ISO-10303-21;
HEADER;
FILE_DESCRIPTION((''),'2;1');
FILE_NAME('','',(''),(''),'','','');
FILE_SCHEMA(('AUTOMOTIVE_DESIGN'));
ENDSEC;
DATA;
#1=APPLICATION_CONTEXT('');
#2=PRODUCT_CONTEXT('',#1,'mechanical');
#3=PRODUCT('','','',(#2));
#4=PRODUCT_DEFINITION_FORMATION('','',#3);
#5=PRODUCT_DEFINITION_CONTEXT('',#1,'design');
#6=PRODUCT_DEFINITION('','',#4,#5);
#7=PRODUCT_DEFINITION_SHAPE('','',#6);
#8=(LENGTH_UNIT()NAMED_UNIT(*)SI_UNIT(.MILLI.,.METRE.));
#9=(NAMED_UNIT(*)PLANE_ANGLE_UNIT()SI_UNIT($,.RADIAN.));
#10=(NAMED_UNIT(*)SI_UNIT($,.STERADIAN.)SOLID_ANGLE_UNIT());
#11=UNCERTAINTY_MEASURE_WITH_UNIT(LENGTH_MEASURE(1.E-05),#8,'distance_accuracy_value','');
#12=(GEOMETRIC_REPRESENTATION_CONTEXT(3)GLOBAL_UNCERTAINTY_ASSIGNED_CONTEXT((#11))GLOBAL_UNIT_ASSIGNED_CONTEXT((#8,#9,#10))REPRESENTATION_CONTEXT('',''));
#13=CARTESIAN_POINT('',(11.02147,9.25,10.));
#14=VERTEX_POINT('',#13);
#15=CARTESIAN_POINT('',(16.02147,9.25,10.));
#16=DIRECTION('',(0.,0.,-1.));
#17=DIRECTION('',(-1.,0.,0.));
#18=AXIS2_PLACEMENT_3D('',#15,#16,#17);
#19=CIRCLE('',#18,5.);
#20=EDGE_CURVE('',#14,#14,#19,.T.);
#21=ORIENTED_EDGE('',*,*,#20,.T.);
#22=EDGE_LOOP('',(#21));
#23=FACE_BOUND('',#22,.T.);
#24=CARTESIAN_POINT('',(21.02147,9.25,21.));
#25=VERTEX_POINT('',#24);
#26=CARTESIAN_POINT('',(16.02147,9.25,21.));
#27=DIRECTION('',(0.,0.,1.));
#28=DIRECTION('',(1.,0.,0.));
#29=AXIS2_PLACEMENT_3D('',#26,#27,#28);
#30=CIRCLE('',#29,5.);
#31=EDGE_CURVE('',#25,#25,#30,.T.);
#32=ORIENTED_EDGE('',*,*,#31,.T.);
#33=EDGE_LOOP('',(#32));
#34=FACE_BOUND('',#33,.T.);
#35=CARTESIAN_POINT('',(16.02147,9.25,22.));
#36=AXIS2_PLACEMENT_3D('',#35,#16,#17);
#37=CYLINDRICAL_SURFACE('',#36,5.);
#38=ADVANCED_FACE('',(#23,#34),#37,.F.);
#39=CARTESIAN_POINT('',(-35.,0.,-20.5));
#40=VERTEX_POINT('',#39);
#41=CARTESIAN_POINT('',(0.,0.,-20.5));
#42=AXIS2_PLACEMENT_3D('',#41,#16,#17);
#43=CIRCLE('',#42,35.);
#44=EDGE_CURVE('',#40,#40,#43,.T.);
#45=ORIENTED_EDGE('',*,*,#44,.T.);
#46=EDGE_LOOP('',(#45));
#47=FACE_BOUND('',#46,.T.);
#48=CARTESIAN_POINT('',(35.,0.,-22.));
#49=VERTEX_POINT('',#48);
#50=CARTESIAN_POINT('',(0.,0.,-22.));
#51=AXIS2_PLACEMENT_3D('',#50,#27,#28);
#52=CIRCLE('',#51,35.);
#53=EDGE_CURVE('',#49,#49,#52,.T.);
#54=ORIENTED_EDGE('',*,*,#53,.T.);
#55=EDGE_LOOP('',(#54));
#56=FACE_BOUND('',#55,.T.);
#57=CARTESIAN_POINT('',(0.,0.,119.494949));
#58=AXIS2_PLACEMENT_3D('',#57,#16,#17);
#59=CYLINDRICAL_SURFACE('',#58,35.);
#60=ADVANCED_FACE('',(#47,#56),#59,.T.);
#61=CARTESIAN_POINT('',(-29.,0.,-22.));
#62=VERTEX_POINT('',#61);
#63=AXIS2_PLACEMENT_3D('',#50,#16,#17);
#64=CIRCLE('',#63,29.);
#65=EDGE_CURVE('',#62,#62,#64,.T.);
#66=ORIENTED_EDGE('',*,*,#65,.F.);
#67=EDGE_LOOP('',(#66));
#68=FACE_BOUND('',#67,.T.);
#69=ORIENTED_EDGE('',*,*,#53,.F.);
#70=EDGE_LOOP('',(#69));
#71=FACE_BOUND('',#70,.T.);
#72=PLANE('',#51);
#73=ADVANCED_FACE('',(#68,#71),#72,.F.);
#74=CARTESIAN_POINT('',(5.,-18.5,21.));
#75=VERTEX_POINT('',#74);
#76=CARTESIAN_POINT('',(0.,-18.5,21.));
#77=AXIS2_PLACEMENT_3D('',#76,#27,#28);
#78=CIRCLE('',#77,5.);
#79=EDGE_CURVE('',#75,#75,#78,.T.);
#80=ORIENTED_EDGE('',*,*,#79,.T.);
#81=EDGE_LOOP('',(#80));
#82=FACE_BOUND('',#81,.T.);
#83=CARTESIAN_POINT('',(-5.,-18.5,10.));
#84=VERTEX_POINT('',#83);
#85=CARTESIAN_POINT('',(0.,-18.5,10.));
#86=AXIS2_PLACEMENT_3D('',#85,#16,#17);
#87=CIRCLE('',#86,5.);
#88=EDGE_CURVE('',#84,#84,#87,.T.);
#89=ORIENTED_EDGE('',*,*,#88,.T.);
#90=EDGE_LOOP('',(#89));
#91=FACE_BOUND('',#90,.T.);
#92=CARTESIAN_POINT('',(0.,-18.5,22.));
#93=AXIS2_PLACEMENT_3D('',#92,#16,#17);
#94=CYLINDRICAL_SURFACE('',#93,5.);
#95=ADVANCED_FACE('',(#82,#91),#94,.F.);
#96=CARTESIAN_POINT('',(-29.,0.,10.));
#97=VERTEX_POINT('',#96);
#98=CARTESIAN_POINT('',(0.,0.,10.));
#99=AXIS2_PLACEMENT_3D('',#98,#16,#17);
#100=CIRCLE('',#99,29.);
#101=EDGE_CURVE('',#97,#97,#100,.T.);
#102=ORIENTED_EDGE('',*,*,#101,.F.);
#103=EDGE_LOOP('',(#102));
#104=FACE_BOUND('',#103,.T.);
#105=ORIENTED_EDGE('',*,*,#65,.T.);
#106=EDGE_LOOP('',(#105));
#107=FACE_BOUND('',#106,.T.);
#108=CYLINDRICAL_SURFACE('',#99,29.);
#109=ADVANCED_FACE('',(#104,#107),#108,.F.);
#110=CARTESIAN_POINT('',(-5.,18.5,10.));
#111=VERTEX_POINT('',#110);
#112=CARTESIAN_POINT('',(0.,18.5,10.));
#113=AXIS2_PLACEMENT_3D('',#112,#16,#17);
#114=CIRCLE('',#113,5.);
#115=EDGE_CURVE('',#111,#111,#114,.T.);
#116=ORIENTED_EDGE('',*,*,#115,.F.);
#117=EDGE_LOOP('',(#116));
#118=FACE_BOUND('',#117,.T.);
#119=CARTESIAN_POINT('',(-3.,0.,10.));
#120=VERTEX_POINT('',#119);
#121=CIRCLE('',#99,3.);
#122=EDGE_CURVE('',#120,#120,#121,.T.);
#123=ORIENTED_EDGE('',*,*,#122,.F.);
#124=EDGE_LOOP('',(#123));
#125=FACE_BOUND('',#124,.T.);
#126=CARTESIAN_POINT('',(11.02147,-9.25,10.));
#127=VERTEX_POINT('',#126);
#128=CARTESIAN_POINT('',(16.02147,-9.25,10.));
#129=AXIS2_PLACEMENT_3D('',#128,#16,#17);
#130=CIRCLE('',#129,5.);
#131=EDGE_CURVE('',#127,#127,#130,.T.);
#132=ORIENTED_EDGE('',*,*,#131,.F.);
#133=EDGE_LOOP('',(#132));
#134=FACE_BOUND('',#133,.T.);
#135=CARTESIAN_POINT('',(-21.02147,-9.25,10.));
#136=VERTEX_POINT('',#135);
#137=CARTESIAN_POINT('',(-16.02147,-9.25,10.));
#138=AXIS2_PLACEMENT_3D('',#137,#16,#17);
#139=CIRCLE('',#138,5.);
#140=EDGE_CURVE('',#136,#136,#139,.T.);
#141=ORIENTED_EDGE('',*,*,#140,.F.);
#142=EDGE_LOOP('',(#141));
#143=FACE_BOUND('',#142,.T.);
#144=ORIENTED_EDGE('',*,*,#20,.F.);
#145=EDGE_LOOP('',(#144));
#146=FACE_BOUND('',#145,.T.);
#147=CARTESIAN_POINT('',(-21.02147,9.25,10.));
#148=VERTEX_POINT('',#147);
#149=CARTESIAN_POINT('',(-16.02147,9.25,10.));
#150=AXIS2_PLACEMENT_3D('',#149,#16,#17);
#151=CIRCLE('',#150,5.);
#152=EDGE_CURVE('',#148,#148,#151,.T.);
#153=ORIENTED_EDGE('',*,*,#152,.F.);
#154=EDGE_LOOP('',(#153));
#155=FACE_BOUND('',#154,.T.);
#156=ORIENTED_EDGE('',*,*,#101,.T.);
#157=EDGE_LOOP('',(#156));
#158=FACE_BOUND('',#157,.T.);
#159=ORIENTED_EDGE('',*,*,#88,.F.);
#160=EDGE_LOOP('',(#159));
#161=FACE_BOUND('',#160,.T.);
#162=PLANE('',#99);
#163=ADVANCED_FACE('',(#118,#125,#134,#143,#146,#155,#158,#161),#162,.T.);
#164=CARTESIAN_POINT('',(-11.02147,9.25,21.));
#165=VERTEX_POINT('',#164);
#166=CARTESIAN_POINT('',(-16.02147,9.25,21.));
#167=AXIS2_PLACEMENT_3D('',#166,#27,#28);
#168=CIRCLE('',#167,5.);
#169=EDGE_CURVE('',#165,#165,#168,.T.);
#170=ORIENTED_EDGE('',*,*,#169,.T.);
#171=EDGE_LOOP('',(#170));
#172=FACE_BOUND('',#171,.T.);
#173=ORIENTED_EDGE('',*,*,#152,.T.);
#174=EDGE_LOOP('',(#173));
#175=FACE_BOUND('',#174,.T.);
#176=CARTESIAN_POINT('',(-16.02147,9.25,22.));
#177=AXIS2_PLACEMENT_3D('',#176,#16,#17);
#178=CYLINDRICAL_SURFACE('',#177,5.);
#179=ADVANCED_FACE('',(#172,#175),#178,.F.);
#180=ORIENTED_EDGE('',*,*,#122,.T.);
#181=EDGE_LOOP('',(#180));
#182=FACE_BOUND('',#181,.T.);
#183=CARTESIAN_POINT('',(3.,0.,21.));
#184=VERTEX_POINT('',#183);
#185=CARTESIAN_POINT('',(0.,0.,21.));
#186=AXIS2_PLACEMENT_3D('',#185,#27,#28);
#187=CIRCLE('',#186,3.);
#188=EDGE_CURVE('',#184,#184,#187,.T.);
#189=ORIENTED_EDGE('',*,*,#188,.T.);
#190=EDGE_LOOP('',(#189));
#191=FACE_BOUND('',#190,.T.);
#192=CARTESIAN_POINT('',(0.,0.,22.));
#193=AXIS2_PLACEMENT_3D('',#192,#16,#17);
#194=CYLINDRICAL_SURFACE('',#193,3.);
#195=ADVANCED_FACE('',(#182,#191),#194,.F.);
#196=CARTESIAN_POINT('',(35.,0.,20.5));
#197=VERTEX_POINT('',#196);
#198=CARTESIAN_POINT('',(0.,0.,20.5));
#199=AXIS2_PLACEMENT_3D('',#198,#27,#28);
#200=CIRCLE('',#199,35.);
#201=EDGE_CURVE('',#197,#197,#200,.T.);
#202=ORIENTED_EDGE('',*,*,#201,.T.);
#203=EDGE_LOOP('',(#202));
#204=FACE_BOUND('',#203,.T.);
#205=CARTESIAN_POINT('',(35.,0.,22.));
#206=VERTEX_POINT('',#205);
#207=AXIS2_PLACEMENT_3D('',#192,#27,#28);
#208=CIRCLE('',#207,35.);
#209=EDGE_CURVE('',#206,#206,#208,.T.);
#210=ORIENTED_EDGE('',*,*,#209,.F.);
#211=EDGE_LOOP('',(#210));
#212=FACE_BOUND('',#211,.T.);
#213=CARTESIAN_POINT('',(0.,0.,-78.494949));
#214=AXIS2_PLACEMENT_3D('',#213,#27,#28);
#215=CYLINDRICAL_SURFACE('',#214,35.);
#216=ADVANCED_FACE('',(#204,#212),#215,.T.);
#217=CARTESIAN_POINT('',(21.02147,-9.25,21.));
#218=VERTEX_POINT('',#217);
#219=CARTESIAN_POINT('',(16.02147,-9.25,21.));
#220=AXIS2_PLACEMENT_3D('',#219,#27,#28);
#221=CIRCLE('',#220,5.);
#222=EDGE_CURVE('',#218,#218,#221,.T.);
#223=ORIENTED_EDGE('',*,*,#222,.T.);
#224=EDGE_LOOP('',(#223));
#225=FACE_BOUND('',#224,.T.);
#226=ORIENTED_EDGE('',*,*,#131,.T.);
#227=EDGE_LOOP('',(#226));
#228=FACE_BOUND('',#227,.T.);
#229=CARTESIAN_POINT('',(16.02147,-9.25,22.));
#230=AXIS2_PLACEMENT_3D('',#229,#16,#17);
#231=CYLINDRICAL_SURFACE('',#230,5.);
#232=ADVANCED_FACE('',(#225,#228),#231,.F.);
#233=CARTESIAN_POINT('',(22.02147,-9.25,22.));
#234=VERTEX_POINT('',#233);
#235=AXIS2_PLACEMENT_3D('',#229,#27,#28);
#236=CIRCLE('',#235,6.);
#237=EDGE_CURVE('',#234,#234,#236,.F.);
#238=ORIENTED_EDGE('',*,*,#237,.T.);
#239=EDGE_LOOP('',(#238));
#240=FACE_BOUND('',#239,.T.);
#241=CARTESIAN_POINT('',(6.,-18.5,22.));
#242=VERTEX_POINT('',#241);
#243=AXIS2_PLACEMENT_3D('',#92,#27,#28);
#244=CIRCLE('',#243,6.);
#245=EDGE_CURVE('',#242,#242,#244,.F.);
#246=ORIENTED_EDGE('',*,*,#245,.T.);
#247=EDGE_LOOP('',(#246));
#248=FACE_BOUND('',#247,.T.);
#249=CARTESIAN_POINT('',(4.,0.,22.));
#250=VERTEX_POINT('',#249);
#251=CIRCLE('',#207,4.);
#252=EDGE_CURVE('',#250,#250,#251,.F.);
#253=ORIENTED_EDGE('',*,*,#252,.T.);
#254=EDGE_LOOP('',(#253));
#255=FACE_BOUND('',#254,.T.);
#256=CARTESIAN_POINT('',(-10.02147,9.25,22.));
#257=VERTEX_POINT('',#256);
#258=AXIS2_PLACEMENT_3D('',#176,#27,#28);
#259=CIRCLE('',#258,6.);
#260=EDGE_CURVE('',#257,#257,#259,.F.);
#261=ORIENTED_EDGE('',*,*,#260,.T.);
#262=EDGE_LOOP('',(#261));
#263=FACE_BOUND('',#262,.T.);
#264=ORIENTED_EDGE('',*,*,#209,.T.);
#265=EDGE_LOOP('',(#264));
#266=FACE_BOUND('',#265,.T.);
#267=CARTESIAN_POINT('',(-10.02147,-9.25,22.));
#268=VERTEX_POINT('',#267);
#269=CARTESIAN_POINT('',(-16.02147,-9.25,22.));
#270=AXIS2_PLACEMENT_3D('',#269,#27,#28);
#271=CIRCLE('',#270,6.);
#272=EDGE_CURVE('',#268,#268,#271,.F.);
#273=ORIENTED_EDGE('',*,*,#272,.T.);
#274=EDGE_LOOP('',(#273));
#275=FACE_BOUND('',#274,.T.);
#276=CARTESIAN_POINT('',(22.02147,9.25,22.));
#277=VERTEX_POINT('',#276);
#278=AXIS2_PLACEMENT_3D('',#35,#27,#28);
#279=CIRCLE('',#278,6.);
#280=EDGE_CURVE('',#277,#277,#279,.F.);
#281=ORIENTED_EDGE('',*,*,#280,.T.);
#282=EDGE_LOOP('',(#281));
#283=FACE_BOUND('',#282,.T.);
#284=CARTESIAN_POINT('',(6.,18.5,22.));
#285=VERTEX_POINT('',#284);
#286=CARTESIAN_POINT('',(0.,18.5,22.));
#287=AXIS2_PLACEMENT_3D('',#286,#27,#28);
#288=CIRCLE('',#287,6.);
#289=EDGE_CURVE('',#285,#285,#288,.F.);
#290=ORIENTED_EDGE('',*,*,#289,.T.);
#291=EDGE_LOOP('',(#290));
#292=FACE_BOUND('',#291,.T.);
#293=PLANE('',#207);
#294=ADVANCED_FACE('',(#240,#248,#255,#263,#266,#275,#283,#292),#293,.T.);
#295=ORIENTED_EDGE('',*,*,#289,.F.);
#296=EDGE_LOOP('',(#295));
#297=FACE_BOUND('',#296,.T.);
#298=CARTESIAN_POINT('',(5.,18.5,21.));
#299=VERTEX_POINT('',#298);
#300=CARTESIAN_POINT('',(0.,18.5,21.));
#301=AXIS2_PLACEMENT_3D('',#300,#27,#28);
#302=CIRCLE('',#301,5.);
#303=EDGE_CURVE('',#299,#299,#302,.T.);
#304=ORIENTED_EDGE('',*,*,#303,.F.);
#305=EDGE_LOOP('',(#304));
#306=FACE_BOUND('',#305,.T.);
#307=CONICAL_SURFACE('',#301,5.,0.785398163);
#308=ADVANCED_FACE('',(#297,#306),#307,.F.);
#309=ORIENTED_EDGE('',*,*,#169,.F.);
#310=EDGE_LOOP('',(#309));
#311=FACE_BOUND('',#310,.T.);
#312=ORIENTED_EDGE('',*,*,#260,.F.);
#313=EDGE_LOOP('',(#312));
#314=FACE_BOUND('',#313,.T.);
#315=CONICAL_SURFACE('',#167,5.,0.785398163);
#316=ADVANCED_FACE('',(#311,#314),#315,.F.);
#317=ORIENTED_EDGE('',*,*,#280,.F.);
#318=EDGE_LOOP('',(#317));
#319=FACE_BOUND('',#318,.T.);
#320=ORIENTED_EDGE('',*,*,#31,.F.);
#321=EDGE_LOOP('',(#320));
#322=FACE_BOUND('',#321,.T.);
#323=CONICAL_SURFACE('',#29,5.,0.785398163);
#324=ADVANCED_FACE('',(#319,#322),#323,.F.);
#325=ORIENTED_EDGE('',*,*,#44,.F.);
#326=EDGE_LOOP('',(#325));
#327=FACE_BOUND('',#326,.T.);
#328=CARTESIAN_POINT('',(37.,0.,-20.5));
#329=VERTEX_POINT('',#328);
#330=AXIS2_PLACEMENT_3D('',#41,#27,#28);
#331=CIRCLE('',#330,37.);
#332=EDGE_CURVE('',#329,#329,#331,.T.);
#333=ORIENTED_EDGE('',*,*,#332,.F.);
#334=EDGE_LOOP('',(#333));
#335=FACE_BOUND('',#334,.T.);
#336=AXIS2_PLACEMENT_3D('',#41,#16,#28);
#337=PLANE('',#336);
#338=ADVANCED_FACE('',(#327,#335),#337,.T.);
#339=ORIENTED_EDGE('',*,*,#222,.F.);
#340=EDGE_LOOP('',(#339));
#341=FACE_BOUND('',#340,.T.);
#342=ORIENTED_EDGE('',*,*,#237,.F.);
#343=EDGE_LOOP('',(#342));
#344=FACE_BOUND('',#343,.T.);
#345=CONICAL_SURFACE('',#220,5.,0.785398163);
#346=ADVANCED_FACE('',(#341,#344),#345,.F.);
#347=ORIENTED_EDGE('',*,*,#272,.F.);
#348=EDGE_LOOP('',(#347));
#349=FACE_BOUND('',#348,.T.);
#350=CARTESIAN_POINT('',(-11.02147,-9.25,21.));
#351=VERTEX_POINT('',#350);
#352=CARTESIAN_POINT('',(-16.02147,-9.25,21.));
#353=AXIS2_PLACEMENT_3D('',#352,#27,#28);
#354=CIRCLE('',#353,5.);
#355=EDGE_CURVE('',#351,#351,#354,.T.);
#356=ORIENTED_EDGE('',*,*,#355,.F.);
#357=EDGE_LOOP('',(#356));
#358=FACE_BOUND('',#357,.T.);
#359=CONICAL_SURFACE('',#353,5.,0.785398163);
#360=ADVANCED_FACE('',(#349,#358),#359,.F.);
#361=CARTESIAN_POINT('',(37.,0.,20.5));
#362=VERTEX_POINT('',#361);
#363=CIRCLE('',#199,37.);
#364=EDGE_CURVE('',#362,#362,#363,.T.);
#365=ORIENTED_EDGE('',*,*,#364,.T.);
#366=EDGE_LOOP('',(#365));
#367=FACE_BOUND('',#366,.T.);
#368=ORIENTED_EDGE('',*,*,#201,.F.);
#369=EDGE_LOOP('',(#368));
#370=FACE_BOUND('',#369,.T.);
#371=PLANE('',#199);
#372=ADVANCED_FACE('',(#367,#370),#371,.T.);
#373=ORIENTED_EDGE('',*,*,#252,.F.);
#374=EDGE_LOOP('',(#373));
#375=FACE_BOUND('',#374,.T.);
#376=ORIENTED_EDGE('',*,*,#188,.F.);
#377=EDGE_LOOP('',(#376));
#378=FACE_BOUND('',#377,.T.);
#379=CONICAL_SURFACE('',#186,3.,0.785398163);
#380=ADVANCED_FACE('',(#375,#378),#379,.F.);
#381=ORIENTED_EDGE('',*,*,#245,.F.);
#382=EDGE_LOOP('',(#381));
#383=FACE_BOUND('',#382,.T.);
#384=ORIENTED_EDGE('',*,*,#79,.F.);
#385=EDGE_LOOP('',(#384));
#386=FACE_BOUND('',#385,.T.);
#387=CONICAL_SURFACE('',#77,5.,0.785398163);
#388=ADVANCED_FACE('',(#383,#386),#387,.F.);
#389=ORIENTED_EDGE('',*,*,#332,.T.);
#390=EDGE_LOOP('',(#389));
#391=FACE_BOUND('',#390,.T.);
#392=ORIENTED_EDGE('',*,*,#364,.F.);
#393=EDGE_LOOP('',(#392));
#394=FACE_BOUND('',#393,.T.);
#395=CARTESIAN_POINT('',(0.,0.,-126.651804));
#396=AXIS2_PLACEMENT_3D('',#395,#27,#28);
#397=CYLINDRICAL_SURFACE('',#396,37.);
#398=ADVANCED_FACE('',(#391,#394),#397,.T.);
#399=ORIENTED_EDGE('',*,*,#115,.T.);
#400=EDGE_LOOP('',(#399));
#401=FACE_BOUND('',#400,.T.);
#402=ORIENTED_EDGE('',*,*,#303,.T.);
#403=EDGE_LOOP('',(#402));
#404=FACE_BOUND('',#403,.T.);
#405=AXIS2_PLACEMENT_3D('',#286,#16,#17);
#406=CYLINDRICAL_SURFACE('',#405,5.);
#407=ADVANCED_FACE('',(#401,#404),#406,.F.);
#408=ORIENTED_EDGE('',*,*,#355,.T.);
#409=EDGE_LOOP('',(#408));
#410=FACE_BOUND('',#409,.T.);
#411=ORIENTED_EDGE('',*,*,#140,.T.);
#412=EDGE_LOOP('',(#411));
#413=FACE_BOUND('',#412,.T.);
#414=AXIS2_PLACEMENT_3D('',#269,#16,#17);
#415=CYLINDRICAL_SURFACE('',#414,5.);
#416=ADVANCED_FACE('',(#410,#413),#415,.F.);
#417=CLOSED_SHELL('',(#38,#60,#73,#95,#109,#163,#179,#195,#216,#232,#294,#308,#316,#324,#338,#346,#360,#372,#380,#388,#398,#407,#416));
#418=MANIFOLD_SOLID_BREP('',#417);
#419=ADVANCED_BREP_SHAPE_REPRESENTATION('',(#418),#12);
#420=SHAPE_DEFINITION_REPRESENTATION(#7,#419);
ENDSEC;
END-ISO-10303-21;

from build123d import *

# Parameters (mm, degrees)
ESQUISSE1_R             = 34
ESQUISSE1_R_2           = 3
ESQUISSE1_R_3           = 5
BOSS_EXTRU_1_DEPTH      = 22
ESQUISSE2_R             = 37
ESQUISSE2_R_2           = 34
BOSS_EXTRU_2_DEPTH      = 44
ESQUISSE2_3_R           = 37
ESQUISSE2_3_R_2         = 34
ENL_V_MAT_EXTRU_1_DEPTH = 1.5
ESQUISSE3_R             = 35
ESQUISSE3_R_2           = 34
BOSS_EXTRU_3_DEPTH      = 1.5
CHANFREIN1_SIZE         = 1
ESQUISSE4_R             = 29
ENL_V_MAT_EXTRU_2_DEPTH = 32


with BuildPart() as part:
    # Esquisse1 → Boss.-Extru.1 (new body, symmetric)
    with BuildSketch(Plane.XY):
        Circle(ESQUISSE1_R)
        Circle(ESQUISSE1_R_2, mode=Mode.SUBTRACT)
        with Locations((0, 18.5)):
            Circle(ESQUISSE1_R_3, mode=Mode.SUBTRACT)
        with Locations((16.02146997, 9.25)):
            Circle(ESQUISSE1_R_3, mode=Mode.SUBTRACT)
        with Locations((16.02146997, -9.25)):
            Circle(ESQUISSE1_R_3, mode=Mode.SUBTRACT)
        with Locations((0, -18.5)):
            Circle(ESQUISSE1_R_3, mode=Mode.SUBTRACT)
        with Locations((-16.02146997, -9.25)):
            Circle(ESQUISSE1_R_3, mode=Mode.SUBTRACT)
        with Locations((-16.02146997, 9.25)):
            Circle(ESQUISSE1_R_3, mode=Mode.SUBTRACT)
    extrude(amount=BOSS_EXTRU_1_DEPTH, both=True)

    # Esquisse2 → Boss.-Extru.2 (add)
    with BuildSketch(Plane.XY.offset(22)):
        Circle(ESQUISSE2_R)
        Circle(ESQUISSE2_R_2, mode=Mode.SUBTRACT)
    extrude(amount=-BOSS_EXTRU_2_DEPTH)

    # Esquisse2_3 → Enl_v. mat.-Extru.1 (cut)
    with BuildSketch(Plane.XY.offset(22)):
        Circle(ESQUISSE2_3_R)
        Circle(ESQUISSE2_3_R_2, mode=Mode.SUBTRACT)
    enl_v_mat_extru_1 = extrude(amount=-ENL_V_MAT_EXTRU_1_DEPTH, mode=Mode.SUBTRACT)

    # Sym_trie1: Enl_v. mat.-Extru.1 across plane
    add(enl_v_mat_extru_1.mirror(Plane.XY), mode=Mode.SUBTRACT)

    # Esquisse3 → Boss.-Extru.3 (add)
    with BuildSketch(Plane.XY.offset(22)):
        Circle(ESQUISSE3_R)
        Circle(ESQUISSE3_R_2, mode=Mode.SUBTRACT)
    boss_extru_3 = extrude(amount=-BOSS_EXTRU_3_DEPTH)

    # Sym_trie2: Boss.-Extru.3 across plane
    add(boss_extru_3.mirror(Plane.XY))

    # Chanfrein1
    chanfrein1_edges = [part.edges().sort_by_distance(p)[0] for p in [
        (11.02146997, 9.25, -22),
        (11.02146997, 9.25, 22),
        (11.02146997, -9.25, -22),
        (11.02146997, -9.25, 22),
        (-5, -18.5, -22),
        (-5, -18.5, 22),
        (-21.02146997, -9.25, -22),
        (-21.02146997, -9.25, 22),
        (-21.02146997, 9.25, -22),
        (-21.02146997, 9.25, 22),
        (-3, 0, -22),
        (-3, 0, 22),
        (-5, 18.5, -22),
        (-5, 18.5, 22),
    ]]
    chamfer(chanfrein1_edges, length=CHANFREIN1_SIZE)

    # Esquisse4 → Enl_v. mat.-Extru.2 (cut)
    with BuildSketch(Plane(origin=(0, 0, -22), x_dir=(-1, 0, 0), z_dir=(0, 0, -1))):
        Circle(ESQUISSE4_R)
    extrude(amount=-ENL_V_MAT_EXTRU_2_DEPTH, mode=Mode.SUBTRACT)


solid = part.part
